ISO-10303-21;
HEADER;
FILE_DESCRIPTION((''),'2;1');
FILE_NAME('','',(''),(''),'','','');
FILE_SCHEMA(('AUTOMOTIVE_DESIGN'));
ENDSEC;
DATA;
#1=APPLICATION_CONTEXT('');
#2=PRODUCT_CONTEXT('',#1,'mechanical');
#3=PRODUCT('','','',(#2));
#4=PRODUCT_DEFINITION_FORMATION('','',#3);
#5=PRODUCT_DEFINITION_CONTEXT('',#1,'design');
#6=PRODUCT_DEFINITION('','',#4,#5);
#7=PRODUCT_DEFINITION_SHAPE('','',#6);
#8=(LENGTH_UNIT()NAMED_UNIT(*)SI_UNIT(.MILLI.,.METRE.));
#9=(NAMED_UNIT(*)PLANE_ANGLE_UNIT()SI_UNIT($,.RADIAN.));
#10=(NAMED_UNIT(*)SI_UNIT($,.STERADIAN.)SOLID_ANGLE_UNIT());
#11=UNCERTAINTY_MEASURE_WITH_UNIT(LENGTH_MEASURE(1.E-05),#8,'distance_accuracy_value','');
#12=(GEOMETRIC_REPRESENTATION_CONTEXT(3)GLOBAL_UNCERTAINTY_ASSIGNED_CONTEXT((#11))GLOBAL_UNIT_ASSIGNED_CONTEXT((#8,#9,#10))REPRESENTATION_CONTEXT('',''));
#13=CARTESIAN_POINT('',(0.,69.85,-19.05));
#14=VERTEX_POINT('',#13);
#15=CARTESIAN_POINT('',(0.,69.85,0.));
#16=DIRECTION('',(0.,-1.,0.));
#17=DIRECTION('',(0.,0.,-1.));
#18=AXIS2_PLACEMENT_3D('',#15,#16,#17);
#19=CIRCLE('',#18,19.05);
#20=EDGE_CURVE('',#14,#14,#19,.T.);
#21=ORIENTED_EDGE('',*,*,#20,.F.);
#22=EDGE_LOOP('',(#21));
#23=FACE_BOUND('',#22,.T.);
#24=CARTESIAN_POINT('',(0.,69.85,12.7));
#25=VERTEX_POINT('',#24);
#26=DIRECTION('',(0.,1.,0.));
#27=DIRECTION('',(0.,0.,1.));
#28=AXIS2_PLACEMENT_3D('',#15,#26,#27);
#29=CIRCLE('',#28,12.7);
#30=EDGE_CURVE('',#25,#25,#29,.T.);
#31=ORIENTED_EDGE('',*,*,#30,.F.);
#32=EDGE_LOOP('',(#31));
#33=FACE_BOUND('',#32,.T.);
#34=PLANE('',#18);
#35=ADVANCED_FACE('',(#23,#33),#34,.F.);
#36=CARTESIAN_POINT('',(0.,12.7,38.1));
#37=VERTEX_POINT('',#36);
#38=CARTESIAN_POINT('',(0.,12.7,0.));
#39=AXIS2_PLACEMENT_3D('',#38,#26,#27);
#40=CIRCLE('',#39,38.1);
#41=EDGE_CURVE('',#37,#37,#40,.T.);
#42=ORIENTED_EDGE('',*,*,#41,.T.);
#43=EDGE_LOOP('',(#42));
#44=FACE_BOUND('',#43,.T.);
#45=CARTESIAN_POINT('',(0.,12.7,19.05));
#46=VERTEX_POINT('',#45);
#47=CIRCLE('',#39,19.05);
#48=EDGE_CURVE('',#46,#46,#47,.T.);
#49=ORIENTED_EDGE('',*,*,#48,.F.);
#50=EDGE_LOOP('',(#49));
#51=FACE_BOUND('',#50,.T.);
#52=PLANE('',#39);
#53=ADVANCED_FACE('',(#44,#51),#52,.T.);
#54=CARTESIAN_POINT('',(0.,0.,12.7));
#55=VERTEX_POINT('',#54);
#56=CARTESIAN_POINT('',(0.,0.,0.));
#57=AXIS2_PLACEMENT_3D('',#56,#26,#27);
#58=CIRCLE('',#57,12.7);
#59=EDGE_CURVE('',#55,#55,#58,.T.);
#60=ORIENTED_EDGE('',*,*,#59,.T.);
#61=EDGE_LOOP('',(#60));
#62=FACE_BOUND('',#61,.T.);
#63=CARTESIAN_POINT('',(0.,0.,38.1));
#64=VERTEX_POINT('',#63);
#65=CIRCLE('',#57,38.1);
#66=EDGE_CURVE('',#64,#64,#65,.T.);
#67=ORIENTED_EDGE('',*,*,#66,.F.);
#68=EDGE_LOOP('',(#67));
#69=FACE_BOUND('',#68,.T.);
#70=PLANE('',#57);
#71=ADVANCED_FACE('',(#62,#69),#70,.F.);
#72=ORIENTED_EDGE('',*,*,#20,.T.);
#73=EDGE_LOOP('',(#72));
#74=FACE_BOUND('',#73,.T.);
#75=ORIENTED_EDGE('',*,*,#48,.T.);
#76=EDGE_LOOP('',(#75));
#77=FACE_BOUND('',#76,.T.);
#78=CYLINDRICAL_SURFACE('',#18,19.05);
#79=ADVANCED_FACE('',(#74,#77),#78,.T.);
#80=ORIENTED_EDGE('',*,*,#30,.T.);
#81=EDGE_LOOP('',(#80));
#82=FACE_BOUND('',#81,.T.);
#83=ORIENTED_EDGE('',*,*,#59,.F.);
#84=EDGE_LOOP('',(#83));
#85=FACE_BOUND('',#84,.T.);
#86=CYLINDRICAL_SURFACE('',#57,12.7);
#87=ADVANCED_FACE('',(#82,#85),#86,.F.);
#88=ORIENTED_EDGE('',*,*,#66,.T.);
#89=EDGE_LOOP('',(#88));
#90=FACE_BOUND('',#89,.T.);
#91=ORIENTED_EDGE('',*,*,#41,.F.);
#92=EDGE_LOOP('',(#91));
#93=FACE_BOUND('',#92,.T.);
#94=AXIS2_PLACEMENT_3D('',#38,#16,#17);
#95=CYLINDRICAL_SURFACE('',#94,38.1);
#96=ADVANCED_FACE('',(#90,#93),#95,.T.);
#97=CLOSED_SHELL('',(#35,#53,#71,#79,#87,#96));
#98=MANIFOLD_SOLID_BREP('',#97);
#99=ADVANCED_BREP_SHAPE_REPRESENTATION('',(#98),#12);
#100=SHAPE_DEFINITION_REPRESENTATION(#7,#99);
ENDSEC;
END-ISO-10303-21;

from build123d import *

# Parameters (mm, degrees)
SKETCH1_R           = 38.1
SKETCH1_R_2         = 19.05
BOSS_EXTRUDE1_DEPTH = 12.7
SKETCH2_R           = 19.05
BOSS_EXTRUDE3_DEPTH = 69.85
SKETCH3_R           = 12.7
CUT_EXTRUDE1_DEPTH  = 69.85


with BuildPart() as part:
    # Sketch1 → Boss-Extrude1 (new body)
    with BuildSketch(Plane(origin=(0, 0, 0), x_dir=(1, 0, 0), z_dir=(0, 1, 0))):
        with Locations(Location((0, 0, 0), (0, 0, 270))):
            Circle(SKETCH1_R)
        with Locations(Location((0, 0, 0), (0, 0, 270))):
            Circle(SKETCH1_R_2, mode=Mode.SUBTRACT)
    extrude(amount=BOSS_EXTRUDE1_DEPTH)

    # Sketch2 → Boss-Extrude3 (add)
    with BuildSketch(Plane.XZ):
        with Locations(Location((0, 0, 0), (0, 0, 270))):
            Circle(SKETCH2_R)
    extrude(amount=-BOSS_EXTRUDE3_DEPTH)

    # Sketch3 → Cut-Extrude1 (cut)
    with BuildSketch(Plane(origin=(0, 69.85, 0), x_dir=(1, 0, 0), z_dir=(0, 1, 0))):
        with Locations(Location((0, 0, 0), (0, 0, 270))):
            Circle(SKETCH3_R)
    extrude(amount=-CUT_EXTRUDE1_DEPTH, mode=Mode.SUBTRACT)


solid = part.part
